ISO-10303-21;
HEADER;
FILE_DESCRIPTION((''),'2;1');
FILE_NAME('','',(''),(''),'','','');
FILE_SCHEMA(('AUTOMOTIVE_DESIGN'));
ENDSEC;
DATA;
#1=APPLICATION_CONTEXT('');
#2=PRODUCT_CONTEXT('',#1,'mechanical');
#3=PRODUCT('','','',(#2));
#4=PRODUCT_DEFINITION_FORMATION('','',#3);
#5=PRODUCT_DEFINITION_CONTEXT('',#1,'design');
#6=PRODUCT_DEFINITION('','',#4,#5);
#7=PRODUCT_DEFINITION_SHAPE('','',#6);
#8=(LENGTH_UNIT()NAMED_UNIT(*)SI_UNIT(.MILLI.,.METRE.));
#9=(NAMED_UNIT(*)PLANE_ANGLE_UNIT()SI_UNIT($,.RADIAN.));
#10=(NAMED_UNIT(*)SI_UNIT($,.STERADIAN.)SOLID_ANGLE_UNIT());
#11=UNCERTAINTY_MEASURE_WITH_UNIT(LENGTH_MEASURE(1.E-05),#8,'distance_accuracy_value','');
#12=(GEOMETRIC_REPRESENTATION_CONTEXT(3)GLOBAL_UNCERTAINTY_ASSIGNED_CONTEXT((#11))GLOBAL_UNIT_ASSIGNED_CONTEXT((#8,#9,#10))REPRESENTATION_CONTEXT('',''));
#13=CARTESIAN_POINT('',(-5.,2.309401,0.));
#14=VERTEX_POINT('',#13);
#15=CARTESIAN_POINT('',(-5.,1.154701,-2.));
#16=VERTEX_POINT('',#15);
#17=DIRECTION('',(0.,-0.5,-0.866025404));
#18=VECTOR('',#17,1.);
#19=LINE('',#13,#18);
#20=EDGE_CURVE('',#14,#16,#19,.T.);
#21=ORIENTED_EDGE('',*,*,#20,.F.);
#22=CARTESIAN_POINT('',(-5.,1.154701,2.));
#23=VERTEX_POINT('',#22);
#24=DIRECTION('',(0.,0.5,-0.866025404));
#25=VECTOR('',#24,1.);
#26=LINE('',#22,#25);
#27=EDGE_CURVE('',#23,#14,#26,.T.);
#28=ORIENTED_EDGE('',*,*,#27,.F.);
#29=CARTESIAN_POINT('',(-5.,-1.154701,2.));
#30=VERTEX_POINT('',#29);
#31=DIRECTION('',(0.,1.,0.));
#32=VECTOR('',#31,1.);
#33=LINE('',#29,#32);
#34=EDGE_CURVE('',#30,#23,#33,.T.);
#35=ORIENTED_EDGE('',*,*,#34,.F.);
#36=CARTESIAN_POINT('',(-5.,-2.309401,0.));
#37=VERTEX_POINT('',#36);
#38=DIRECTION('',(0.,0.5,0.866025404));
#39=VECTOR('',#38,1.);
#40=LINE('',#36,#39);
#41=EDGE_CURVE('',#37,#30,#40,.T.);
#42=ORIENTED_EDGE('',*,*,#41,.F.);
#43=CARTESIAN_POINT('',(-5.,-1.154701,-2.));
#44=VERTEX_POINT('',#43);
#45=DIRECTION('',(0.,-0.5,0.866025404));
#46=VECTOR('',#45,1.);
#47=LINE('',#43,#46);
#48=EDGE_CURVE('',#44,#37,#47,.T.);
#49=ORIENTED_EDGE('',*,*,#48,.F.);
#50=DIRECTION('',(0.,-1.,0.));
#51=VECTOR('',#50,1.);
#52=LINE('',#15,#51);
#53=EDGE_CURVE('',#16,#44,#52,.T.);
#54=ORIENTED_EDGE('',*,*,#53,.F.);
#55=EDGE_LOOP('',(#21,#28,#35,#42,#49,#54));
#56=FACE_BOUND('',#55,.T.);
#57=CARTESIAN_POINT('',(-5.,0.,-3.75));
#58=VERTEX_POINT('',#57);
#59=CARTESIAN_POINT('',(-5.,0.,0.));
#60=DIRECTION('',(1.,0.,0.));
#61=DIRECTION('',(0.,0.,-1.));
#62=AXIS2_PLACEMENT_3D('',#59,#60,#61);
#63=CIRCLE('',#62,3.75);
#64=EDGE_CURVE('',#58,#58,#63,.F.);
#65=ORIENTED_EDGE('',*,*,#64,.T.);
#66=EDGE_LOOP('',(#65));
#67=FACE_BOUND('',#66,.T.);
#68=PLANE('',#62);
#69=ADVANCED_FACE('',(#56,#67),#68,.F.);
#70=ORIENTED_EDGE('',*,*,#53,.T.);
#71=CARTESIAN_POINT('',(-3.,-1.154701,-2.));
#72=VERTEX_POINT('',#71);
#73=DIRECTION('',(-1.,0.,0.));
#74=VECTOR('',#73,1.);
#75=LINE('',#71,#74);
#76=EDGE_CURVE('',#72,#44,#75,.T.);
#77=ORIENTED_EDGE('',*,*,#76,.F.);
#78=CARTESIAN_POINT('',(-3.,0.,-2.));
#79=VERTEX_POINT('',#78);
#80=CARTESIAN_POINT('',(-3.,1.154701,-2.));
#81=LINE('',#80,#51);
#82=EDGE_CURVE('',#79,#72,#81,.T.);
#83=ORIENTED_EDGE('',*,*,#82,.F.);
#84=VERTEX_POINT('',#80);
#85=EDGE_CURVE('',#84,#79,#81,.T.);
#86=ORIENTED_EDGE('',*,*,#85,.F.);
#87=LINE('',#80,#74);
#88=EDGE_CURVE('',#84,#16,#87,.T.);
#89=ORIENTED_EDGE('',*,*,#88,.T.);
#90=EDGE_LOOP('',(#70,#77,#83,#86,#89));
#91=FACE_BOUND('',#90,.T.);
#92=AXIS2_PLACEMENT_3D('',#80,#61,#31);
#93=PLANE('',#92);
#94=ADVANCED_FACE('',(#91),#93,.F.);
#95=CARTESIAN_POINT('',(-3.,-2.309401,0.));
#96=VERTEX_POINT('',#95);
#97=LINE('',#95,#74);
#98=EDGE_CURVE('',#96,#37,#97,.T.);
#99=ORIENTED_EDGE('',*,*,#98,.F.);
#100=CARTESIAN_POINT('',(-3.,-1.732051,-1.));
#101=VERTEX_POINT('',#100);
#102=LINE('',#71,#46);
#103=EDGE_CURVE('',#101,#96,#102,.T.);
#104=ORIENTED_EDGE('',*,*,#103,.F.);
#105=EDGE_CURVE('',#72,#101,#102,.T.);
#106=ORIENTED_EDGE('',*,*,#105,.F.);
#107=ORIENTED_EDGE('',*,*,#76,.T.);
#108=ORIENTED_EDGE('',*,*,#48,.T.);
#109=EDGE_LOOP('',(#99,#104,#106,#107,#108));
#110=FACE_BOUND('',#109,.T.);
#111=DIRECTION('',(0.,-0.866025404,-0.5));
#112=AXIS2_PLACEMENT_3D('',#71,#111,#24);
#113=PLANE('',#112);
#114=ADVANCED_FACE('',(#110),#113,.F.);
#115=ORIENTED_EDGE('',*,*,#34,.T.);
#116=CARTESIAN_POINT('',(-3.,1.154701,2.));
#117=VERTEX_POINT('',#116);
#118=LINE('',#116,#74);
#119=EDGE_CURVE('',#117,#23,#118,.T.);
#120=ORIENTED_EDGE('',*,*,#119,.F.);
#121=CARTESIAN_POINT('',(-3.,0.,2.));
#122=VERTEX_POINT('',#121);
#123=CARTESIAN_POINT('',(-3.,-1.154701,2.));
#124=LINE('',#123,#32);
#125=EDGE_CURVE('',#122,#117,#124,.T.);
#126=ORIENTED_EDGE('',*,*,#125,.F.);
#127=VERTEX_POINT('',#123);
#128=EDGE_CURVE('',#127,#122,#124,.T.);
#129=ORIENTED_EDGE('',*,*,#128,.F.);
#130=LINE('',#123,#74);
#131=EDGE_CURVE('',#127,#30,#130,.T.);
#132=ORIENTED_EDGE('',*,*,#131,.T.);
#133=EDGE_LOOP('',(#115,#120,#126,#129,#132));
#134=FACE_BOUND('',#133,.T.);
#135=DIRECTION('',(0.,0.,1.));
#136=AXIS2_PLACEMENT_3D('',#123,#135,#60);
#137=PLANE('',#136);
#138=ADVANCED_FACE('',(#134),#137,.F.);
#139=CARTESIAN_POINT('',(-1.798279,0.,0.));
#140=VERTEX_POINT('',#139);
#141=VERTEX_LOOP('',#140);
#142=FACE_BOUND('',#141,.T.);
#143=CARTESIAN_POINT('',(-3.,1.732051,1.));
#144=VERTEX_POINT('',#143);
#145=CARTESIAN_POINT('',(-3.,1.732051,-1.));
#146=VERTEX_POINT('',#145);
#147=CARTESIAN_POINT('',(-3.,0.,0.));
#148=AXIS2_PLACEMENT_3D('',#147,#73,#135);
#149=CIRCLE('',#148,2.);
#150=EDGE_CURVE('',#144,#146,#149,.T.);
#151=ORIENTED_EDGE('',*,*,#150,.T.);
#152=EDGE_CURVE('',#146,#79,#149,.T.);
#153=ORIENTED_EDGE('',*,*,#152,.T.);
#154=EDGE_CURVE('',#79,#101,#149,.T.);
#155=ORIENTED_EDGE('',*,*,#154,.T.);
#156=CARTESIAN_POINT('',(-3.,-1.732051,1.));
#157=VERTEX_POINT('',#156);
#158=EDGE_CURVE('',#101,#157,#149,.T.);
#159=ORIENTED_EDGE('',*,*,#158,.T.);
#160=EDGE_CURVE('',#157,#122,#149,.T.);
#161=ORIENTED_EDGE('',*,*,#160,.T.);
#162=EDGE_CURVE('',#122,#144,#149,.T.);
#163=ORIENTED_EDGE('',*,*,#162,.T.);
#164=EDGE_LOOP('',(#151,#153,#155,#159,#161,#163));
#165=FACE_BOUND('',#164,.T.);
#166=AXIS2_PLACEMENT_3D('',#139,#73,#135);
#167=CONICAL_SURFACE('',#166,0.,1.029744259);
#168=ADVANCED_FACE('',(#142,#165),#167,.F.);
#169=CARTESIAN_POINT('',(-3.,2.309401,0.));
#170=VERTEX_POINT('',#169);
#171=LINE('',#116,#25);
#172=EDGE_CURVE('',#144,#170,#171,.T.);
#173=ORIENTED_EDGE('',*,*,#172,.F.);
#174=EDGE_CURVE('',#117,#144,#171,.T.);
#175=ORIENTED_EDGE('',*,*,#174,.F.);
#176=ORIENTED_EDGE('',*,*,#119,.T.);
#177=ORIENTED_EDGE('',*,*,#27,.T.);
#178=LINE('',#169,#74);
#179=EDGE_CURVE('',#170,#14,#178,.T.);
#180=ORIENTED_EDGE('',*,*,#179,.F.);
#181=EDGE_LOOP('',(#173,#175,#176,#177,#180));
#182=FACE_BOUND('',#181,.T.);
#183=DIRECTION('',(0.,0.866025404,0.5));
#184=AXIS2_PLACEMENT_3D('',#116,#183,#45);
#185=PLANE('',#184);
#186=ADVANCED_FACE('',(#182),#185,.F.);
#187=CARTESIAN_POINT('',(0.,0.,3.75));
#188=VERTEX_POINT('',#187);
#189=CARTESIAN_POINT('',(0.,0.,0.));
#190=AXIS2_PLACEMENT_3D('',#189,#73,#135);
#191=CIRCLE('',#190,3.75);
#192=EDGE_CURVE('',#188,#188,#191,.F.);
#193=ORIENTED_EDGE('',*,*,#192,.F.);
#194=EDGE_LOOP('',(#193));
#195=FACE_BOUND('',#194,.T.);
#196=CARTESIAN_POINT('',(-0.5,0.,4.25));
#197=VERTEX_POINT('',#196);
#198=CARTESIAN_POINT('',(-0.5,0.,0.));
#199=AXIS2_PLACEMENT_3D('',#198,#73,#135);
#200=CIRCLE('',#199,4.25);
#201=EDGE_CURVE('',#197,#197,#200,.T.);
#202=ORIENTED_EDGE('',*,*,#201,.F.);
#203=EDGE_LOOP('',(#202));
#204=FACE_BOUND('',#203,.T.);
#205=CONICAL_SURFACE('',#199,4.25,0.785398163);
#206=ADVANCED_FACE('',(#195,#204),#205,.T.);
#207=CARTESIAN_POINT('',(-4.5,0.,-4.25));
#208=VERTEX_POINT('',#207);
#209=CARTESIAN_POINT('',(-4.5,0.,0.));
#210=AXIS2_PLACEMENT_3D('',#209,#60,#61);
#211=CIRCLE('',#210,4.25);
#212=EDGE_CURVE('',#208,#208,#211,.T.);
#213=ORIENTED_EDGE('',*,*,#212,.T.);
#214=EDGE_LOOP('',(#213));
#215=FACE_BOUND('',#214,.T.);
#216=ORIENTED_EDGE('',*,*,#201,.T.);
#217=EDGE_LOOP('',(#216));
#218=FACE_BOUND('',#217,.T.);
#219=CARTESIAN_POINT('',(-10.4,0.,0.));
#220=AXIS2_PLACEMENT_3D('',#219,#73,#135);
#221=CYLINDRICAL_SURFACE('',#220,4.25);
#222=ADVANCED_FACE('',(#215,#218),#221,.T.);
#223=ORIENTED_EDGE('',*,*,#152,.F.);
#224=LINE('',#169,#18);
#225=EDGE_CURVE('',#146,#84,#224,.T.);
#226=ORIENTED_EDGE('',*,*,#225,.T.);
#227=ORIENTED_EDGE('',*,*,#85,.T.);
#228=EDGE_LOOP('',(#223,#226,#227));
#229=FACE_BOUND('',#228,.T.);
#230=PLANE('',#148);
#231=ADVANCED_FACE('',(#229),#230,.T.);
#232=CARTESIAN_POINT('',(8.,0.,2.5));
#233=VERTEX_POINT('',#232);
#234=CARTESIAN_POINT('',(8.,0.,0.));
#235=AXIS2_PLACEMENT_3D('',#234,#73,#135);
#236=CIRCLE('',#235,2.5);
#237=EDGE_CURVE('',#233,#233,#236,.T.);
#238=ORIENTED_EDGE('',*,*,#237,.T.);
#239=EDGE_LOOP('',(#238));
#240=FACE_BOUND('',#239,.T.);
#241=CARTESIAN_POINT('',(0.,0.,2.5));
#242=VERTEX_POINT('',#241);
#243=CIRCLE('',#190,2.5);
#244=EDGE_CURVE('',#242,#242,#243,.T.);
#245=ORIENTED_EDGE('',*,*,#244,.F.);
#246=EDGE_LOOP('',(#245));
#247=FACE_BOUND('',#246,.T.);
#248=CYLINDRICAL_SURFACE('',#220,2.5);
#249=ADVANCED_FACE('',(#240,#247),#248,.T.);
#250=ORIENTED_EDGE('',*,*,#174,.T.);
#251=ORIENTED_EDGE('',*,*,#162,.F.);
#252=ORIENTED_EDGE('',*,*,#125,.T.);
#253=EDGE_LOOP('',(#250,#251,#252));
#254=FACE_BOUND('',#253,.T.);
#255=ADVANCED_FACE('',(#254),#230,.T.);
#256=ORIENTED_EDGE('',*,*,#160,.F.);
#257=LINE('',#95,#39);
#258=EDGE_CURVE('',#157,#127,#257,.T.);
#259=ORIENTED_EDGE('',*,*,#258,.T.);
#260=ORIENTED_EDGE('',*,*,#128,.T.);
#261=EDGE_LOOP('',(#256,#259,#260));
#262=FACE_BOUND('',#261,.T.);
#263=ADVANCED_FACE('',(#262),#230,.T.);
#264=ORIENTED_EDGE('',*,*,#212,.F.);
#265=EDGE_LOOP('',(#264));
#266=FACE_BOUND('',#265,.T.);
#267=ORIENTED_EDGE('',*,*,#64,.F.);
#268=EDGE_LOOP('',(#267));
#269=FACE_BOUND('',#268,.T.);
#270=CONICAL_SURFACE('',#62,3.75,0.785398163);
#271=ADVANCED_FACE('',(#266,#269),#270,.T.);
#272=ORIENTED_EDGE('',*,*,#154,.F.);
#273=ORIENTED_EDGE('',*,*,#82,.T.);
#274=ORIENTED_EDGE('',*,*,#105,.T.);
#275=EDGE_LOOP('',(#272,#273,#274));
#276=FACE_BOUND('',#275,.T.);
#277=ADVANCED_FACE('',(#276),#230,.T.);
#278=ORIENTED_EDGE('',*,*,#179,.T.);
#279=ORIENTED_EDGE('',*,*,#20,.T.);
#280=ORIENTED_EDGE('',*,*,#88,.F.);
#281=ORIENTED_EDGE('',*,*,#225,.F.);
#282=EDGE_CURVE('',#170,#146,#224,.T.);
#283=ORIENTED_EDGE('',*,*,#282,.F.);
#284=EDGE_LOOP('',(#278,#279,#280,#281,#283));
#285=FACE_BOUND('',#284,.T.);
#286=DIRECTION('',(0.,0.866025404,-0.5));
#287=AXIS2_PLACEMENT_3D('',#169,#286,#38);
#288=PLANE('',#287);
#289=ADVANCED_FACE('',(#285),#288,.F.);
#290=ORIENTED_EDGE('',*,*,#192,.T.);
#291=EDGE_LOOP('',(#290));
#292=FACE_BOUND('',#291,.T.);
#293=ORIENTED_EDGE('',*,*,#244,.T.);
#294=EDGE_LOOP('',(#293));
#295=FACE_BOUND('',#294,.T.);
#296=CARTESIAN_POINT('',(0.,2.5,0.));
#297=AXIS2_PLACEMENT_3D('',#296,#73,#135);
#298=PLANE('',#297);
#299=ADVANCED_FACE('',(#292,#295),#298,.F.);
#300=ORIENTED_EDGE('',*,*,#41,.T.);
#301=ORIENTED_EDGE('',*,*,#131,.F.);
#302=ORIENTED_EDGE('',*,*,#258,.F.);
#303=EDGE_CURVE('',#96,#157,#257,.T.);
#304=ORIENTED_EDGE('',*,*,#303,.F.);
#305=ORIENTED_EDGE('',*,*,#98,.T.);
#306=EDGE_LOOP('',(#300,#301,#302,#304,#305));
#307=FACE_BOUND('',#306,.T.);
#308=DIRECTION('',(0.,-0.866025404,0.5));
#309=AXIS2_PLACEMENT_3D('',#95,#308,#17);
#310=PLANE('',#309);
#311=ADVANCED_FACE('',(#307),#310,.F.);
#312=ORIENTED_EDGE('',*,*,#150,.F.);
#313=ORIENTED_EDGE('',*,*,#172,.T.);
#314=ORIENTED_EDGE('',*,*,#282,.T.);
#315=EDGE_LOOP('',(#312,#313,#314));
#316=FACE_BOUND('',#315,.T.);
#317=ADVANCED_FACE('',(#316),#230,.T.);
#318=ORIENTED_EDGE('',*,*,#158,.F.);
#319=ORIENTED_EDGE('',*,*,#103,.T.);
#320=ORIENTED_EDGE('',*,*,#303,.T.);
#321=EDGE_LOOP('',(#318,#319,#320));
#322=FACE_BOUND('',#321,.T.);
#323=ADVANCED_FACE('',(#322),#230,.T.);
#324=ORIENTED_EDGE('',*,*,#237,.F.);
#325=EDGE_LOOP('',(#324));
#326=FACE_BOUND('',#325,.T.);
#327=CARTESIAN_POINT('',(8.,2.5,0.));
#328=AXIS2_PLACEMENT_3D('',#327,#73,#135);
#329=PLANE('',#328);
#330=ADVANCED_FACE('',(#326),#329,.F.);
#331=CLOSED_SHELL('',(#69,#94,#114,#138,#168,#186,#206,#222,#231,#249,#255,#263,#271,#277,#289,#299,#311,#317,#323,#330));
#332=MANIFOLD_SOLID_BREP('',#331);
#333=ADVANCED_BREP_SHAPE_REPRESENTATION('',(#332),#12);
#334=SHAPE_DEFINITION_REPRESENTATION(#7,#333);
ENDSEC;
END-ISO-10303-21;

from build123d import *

# Parameters (mm, degrees)
CUT_EXTRUDE1_DEPTH = 2
CHAMFER1_SIZE      = 0.5


with BuildPart() as part:
    # Sketch1 → Revolve1 (revolve)
    with BuildSketch(Plane.XY):
        Polygon((0, 2.5), (8, 2.5), (8, 0), (-5, 0), (-5, 4.25), (0, 4.25), align=None)
    revolve(axis=Axis((-10.4, 0, 0), (1, 0, 0)))

    # Sketch2 → Cut-Revolve1 (revolve, cut)
    with BuildSketch(Plane.XY):
        Polygon((-1.798278762, 0), (-3, 2), (-5, 2), (-5, 0), align=None)
    revolve(axis=Axis((-10.4, 0, 0), (1, 0, 0)), mode=Mode.SUBTRACT)

    # Sketch3 → Cut-Extrude1 (cut)
    with BuildSketch(Plane.ZY.offset(5)):
        Polygon((2, 1.154700538), (0, 2.309401077), (-2, 1.154700538), (-2, -1.154700538), (0, -2.309401077), (2, -1.154700538), align=None)
    extrude(amount=-CUT_EXTRUDE1_DEPTH, mode=Mode.SUBTRACT)

    # Chamfer1
    chamfer1_edges = [part.edges().sort_by_distance(p)[0] for p in [
        (-5, -4.25, 0),
        (0, -4.25, 0),
    ]]
    chamfer(chamfer1_edges, length=CHAMFER1_SIZE)


solid = part.part
